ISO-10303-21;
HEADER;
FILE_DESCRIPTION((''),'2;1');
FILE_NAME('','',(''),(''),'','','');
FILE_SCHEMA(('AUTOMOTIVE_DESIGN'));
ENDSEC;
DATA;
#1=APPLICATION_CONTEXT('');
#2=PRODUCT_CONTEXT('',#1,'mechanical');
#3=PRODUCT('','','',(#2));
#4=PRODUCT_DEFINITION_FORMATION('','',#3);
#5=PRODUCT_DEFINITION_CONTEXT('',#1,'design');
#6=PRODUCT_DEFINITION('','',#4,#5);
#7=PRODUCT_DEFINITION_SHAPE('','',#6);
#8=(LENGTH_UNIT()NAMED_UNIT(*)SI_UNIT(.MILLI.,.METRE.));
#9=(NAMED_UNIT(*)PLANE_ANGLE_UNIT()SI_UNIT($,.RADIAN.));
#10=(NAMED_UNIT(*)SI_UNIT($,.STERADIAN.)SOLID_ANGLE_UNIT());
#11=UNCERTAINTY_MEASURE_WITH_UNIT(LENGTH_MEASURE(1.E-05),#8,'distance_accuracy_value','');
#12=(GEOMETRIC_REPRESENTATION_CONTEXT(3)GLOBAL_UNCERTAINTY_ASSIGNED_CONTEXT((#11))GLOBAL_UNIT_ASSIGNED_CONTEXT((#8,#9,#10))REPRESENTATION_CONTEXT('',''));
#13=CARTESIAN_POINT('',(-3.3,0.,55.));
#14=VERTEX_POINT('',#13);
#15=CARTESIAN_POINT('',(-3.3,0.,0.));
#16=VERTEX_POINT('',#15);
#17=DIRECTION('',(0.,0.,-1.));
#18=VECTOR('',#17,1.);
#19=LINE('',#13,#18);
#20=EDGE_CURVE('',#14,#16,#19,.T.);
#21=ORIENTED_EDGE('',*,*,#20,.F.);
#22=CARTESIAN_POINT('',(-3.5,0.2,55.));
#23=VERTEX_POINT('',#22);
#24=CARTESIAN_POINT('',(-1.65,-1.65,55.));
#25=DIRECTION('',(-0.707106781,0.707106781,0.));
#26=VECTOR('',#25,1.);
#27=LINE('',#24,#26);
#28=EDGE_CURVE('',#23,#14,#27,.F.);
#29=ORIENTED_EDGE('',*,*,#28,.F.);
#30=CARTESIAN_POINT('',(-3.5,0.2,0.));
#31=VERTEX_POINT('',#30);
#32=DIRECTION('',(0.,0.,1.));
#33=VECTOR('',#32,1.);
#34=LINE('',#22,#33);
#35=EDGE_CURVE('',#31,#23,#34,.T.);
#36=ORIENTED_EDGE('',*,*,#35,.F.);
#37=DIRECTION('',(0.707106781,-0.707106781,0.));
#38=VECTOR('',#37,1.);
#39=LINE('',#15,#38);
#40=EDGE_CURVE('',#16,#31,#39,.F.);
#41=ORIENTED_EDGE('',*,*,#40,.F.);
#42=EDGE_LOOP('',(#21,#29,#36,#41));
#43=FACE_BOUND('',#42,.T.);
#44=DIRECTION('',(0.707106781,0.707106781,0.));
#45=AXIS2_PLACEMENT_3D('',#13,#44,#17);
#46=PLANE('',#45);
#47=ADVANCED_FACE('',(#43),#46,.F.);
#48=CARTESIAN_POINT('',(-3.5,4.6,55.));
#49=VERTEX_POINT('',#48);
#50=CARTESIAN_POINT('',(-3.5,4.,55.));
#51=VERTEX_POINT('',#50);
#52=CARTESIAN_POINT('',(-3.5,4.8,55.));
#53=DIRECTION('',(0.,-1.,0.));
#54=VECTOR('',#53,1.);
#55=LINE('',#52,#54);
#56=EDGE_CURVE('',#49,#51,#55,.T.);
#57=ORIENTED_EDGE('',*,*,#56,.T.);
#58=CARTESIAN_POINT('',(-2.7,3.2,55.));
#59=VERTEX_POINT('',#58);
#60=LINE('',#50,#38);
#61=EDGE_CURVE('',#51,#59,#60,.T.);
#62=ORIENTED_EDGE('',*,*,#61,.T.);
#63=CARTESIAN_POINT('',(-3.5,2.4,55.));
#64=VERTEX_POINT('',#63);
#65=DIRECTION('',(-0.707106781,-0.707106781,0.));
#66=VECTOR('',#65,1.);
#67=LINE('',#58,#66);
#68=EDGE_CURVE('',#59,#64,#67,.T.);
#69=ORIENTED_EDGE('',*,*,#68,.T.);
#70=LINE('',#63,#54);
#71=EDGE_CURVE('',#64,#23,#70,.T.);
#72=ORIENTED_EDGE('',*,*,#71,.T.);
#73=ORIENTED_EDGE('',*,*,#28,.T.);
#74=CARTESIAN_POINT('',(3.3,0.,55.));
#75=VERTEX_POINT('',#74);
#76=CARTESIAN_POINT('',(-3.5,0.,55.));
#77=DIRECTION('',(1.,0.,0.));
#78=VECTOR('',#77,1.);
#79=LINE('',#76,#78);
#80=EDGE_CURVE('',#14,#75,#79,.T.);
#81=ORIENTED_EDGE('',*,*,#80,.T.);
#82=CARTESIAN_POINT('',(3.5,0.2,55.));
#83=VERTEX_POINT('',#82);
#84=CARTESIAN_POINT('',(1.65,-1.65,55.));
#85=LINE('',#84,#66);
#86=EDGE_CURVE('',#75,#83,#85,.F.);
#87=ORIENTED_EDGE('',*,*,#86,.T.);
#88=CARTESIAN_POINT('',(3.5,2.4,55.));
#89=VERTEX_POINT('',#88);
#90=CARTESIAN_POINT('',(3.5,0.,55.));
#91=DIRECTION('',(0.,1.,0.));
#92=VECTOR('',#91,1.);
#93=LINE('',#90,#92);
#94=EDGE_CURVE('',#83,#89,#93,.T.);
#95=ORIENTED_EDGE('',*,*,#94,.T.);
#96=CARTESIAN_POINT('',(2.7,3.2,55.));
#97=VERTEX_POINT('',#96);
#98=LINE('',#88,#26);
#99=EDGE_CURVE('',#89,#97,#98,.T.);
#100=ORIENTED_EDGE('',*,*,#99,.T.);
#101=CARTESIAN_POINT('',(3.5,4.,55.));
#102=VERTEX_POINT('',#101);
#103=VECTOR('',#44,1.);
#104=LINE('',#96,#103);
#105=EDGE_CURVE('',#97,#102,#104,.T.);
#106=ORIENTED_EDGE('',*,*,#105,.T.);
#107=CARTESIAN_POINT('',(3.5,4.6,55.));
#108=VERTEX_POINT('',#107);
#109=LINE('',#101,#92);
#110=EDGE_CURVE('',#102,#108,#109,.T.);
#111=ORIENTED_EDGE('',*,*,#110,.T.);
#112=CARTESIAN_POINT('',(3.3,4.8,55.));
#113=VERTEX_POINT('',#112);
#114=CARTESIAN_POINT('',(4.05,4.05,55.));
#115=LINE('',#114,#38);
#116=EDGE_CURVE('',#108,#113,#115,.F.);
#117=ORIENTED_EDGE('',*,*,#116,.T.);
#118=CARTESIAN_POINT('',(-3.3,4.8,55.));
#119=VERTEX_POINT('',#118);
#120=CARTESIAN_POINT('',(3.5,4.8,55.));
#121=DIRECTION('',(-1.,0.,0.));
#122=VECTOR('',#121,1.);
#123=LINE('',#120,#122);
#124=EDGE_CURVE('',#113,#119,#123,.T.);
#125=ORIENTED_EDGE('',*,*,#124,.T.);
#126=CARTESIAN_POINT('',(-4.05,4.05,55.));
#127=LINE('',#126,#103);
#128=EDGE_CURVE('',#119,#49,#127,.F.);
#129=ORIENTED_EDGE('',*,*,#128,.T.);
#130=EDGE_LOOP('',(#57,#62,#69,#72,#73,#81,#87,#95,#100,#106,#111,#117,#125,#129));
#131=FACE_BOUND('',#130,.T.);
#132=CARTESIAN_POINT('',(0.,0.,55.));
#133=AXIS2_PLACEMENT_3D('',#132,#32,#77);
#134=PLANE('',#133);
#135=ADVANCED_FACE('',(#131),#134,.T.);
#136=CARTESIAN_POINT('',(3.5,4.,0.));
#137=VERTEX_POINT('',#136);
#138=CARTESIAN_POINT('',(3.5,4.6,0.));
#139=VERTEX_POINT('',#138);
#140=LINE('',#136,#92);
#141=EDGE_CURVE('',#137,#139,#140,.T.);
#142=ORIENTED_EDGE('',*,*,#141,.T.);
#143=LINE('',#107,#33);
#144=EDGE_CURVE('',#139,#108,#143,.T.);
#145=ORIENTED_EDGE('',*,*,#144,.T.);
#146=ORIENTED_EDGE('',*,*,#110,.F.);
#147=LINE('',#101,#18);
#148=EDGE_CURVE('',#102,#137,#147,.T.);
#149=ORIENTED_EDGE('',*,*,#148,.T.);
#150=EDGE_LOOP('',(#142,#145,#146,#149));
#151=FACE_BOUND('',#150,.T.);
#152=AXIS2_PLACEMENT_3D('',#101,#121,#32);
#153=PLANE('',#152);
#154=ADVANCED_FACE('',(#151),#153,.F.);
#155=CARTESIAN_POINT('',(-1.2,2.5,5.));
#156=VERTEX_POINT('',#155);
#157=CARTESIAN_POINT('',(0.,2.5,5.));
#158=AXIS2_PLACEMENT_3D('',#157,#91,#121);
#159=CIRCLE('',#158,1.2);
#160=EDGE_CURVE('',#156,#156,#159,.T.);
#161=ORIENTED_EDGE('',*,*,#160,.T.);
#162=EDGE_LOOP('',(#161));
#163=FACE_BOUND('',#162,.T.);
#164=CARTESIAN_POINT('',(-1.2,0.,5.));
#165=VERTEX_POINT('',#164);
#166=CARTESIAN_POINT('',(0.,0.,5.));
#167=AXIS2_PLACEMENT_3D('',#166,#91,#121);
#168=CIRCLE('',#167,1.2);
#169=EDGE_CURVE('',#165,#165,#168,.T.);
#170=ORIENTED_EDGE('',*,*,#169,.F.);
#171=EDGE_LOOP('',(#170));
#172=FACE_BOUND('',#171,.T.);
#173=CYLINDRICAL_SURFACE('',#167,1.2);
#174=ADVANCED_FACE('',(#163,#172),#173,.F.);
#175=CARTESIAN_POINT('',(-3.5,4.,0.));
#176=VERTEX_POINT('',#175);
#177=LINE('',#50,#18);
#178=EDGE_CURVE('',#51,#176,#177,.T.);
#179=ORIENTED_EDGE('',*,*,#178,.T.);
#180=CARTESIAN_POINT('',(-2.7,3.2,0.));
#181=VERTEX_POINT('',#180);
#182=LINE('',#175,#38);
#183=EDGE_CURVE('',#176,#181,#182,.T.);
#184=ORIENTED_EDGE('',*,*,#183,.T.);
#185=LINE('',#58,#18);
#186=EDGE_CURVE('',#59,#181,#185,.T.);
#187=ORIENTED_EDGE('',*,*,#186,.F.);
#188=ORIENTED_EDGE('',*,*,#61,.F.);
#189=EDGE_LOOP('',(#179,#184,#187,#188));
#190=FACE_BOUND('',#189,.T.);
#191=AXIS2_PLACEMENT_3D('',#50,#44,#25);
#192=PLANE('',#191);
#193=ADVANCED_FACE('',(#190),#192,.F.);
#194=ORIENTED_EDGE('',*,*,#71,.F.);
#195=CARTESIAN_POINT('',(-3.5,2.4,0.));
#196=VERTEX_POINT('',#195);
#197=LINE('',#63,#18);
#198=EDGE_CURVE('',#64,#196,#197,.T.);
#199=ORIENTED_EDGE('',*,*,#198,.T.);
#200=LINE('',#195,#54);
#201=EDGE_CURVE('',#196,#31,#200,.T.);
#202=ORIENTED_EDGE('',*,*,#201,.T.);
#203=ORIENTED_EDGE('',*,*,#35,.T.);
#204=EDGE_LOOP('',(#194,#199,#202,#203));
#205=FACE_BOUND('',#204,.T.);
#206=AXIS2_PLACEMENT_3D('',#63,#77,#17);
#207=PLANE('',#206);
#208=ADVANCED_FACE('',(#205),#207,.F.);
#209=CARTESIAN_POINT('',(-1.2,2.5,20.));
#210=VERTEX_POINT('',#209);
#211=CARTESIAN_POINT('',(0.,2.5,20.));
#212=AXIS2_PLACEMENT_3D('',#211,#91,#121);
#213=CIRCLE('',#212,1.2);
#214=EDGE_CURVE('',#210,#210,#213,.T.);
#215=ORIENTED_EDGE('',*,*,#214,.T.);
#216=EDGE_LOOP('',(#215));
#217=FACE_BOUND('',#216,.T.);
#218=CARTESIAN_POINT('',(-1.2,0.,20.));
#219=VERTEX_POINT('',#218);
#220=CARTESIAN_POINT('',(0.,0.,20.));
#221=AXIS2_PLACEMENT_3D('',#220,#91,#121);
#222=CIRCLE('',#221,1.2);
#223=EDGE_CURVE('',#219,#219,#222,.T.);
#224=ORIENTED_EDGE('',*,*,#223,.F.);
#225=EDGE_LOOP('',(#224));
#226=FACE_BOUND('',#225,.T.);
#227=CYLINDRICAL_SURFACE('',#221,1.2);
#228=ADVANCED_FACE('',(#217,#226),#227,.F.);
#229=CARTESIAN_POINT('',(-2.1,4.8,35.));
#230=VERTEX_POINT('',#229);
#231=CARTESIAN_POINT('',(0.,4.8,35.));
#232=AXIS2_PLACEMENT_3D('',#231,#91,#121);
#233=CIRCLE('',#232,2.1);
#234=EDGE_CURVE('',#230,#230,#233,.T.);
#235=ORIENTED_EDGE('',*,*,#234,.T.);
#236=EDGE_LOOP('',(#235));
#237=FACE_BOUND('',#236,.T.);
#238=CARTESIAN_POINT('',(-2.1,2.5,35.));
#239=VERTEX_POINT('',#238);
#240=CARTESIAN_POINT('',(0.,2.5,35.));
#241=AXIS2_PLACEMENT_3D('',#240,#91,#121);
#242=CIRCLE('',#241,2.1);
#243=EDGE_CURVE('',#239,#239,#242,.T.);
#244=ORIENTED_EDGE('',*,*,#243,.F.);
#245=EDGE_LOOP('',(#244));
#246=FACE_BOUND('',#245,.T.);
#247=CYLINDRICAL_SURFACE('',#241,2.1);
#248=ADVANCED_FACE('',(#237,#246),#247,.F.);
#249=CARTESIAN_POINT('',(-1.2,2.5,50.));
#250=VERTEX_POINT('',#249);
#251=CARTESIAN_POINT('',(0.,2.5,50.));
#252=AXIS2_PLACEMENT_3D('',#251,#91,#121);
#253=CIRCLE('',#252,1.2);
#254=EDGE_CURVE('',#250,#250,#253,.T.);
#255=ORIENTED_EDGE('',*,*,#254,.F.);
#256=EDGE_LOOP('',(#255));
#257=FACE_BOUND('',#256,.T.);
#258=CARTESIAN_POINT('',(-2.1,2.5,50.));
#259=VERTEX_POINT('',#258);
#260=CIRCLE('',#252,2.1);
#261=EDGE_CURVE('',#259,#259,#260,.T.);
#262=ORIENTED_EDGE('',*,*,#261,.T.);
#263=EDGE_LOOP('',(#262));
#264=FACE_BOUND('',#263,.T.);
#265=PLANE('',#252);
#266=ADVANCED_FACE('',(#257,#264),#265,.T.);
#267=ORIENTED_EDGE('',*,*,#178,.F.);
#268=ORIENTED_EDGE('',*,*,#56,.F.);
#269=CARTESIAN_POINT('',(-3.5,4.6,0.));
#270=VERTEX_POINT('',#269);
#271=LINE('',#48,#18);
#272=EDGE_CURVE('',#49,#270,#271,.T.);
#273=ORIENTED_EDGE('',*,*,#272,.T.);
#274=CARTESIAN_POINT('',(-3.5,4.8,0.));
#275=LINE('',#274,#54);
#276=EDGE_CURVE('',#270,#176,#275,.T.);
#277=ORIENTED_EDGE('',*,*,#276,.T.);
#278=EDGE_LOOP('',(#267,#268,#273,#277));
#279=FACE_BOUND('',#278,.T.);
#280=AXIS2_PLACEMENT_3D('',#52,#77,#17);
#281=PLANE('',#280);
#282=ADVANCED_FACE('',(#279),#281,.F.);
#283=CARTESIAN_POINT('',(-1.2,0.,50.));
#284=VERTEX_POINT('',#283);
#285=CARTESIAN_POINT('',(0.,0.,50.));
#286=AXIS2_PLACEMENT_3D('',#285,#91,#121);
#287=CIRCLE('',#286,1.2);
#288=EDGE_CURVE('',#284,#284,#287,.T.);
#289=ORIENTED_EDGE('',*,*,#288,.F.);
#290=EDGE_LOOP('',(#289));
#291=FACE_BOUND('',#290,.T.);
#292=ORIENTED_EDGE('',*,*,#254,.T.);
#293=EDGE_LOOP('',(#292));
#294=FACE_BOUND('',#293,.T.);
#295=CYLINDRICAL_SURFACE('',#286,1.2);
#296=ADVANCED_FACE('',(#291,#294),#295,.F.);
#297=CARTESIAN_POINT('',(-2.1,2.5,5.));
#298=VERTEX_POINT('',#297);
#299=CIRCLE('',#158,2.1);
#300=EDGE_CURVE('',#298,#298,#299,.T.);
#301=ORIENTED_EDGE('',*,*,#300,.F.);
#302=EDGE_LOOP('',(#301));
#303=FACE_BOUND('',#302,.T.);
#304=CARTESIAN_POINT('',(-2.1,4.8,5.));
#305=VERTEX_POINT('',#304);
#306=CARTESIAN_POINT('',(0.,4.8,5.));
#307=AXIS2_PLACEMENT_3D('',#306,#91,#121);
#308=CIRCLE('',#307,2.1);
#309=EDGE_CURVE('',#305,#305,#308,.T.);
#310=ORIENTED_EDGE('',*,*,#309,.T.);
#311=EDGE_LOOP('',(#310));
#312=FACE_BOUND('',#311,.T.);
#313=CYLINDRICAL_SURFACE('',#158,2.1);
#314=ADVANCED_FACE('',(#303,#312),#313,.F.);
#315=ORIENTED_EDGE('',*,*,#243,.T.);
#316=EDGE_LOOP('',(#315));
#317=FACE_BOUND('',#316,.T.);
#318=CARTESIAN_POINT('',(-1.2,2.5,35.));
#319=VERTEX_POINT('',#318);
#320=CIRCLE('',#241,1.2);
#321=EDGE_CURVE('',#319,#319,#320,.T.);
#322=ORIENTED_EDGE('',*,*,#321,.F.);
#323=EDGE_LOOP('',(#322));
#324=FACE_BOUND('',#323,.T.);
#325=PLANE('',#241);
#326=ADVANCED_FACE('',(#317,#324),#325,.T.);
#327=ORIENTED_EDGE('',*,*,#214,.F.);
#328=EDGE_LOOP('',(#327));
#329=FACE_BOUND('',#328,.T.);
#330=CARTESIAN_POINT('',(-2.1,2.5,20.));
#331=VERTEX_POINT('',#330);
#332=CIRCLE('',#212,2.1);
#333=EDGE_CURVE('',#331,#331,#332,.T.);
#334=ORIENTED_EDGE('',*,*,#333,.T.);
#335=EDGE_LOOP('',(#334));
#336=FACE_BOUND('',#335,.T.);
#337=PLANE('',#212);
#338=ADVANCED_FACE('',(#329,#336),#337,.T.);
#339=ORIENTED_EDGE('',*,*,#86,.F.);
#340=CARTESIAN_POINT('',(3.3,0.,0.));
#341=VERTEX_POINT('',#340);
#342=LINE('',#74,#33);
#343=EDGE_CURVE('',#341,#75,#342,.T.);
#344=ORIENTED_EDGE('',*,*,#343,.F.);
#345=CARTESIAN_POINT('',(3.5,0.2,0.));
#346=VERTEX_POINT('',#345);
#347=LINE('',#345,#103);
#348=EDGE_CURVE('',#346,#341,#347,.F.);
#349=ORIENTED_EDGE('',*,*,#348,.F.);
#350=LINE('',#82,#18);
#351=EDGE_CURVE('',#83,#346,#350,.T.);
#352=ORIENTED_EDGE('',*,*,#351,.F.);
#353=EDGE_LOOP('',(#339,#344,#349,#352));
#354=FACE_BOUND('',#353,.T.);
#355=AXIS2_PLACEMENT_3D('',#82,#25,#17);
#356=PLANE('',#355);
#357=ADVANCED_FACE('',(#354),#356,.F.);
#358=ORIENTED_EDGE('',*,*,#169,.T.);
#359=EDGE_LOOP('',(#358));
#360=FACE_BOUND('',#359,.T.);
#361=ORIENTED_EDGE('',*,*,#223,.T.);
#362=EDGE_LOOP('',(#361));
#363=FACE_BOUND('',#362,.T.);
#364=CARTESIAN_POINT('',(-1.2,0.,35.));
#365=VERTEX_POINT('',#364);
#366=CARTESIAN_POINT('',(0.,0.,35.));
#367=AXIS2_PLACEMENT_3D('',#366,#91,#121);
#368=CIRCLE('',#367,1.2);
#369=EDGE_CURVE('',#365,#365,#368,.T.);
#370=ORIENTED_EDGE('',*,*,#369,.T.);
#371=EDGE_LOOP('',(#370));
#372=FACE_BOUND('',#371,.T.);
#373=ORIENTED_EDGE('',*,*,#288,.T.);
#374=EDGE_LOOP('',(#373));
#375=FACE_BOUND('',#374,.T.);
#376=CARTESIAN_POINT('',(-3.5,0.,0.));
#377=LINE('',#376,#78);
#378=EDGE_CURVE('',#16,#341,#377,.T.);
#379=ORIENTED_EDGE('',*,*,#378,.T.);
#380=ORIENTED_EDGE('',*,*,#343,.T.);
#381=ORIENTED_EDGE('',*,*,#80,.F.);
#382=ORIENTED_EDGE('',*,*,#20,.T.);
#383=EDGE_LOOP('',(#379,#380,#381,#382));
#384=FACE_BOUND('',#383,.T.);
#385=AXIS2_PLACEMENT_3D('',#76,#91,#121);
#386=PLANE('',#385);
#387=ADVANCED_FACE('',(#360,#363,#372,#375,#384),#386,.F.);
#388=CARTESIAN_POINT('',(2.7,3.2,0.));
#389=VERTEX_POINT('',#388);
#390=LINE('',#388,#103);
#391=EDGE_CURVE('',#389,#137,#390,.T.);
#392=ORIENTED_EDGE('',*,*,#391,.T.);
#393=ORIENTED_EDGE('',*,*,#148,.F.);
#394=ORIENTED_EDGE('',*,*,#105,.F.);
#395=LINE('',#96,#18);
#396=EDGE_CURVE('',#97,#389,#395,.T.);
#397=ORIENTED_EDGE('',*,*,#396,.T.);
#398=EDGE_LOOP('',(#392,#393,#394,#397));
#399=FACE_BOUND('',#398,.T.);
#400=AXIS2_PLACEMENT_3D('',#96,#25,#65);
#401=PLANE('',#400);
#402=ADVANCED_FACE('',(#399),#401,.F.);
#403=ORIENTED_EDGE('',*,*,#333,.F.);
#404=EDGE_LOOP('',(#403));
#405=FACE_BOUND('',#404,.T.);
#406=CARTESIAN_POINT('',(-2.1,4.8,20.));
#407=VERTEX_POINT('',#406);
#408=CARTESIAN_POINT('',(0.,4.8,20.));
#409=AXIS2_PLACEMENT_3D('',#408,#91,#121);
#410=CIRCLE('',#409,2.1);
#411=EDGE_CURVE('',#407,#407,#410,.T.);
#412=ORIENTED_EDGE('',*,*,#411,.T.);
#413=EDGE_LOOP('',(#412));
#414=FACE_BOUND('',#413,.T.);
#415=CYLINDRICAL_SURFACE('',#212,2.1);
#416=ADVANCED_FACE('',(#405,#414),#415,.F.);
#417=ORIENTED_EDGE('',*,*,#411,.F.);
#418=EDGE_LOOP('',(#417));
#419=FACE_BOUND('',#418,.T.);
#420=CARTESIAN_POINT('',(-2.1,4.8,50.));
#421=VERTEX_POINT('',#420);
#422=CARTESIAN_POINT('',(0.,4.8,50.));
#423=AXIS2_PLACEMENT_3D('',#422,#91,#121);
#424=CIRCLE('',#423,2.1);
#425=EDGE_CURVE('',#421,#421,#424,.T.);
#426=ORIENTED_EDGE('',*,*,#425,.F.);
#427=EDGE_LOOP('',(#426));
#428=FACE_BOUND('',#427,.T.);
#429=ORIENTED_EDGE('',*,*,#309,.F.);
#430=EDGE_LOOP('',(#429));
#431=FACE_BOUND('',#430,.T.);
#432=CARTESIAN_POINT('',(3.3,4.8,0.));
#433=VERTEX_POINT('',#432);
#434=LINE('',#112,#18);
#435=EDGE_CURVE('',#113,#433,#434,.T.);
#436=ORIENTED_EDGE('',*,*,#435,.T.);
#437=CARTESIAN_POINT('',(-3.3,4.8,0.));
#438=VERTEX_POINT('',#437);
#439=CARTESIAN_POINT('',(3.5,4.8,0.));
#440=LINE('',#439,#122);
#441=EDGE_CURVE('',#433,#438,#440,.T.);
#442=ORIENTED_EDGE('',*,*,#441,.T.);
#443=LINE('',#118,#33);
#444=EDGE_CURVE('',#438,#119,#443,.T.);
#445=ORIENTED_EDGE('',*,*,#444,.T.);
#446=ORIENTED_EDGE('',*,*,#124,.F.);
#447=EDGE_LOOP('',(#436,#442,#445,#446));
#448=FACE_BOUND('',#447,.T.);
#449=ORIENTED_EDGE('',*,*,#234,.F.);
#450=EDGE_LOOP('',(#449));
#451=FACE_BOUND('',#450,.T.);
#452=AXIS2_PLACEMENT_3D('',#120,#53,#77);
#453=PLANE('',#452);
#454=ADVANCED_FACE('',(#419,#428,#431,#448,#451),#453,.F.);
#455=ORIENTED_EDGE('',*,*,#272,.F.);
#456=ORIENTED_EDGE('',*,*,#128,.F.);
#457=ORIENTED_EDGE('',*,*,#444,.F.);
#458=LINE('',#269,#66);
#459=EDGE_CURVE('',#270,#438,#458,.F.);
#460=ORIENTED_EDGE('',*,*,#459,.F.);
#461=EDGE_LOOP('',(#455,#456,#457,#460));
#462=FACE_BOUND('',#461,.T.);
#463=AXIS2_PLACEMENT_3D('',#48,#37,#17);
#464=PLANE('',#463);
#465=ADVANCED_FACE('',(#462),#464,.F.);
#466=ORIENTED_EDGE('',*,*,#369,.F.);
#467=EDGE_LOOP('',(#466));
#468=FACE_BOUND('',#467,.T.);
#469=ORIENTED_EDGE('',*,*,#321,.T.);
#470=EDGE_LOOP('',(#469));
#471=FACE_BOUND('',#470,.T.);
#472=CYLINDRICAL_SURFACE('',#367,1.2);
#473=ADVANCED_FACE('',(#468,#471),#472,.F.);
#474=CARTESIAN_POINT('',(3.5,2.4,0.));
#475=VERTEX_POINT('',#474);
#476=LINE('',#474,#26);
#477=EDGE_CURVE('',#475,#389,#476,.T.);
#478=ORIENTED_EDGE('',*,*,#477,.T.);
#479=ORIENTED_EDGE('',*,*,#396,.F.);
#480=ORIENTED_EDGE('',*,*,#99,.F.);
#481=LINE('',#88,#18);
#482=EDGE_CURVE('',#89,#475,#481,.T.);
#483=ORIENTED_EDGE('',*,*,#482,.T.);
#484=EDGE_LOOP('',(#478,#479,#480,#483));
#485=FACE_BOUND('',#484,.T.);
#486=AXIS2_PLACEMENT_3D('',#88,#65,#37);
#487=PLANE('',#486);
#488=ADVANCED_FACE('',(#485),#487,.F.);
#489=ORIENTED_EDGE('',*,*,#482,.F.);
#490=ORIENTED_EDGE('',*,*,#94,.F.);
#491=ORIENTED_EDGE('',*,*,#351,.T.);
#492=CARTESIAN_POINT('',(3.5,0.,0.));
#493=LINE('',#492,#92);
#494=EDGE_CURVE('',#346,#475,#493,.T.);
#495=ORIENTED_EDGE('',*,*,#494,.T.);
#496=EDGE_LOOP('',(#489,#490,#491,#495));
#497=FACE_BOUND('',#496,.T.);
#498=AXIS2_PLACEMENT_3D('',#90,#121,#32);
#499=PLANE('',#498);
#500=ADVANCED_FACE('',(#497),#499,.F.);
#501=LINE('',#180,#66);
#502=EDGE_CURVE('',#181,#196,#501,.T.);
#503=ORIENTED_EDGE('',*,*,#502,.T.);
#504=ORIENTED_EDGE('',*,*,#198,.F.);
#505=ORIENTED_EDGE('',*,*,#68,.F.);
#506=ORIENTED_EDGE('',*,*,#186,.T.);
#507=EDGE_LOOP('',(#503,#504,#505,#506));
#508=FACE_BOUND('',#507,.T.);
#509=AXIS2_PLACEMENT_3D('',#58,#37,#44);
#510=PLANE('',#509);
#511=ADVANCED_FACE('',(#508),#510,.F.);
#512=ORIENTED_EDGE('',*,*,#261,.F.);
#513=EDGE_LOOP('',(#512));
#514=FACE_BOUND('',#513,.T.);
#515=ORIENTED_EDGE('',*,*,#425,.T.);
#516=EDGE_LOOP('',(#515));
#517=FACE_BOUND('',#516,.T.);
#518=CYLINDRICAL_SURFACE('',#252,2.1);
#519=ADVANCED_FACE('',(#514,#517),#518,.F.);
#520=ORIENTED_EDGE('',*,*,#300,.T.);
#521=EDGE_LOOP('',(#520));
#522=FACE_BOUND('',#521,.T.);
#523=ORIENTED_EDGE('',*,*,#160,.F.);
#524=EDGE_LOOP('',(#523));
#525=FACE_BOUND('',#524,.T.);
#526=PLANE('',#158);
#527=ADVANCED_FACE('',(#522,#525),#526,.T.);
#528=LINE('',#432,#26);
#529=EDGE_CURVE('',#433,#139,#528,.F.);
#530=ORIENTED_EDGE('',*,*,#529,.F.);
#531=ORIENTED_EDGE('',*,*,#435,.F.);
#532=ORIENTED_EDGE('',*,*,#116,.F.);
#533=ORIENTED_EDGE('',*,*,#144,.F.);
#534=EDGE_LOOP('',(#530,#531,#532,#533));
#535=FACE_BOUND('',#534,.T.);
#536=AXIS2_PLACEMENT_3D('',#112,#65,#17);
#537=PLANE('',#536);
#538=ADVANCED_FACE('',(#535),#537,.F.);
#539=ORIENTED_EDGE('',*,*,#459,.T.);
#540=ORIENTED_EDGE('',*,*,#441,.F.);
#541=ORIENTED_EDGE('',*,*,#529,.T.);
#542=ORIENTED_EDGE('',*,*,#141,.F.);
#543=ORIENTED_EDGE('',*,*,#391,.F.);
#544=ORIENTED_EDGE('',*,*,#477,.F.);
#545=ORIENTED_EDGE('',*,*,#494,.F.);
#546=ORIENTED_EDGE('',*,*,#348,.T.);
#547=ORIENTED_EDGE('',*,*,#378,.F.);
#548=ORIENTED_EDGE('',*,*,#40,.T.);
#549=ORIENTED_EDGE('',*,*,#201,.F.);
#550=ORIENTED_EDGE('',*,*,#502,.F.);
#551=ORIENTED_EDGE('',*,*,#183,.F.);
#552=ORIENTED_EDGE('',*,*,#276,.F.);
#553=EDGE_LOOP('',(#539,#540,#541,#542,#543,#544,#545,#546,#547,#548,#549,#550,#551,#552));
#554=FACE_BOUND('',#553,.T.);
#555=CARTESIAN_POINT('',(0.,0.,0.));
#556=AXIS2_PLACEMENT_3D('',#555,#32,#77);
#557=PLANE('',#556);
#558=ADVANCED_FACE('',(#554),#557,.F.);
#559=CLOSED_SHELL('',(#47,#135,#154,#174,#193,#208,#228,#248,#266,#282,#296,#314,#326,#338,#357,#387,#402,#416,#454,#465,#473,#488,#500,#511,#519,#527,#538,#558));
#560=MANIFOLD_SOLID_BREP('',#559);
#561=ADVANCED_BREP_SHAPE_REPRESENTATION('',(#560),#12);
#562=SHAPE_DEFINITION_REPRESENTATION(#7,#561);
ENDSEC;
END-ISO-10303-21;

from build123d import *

# Parameters (mm, degrees)
EXTRUDE_1_DEPTH     = 55
SKETCH_2_R          = 2.1
CUT_EXTRUDE_1_DEPTH = 2.3
CHAMFER_1_SIZE      = 0.2
SKETCH_4_R          = 1.2
CUT_EXTRUDE_3_DEPTH = 56.167925464


with BuildPart() as part:
    # 草图1 → 凸台-拉伸1 (new body)
    with BuildSketch(Plane.XY):
        Polygon((-3.5, 0), (3.5, 0), (3.5, 2.4), (2.7, 3.2), (3.5, 4), (3.5, 4.8), (-3.5, 4.8), (-3.5, 4), (-2.7, 3.2), (-3.5, 2.4), align=None)
    extrude(amount=EXTRUDE_1_DEPTH)

    # 草图2 → 切除-拉伸1 (cut)
    with BuildSketch(Plane(origin=(0, 4.8, 0), x_dir=(1, 0, 0), z_dir=(0, 1, 0))):
        with Locations(Location((0, -5, 0), (0, 0, 180))):
            Circle(SKETCH_2_R)
        with Locations(Location((0, -20, 0), (0, 0, 180))):
            Circle(SKETCH_2_R)
        with Locations(Location((0, -35, 0), (0, 0, 180))):
            Circle(SKETCH_2_R)
        with Locations(Location((0, -50, 0), (0, 0, 180))):
            Circle(SKETCH_2_R)
    extrude(amount=-CUT_EXTRUDE_1_DEPTH, mode=Mode.SUBTRACT)

    # 倒角1
    chamfer_1_edges = [part.edges().sort_by_distance(p)[0] for p in [
        (-3.5, 4.8, 27.5),
        (3.5, 4.8, 27.5),
        (3.5, 0, 27.5),
        (-3.5, 0, 27.5),
    ]]
    chamfer(chamfer_1_edges, length=CHAMFER_1_SIZE)

    # 草图4 → 切除-拉伸3 (cut, through all)
    with BuildSketch(Plane(origin=(0, 2.5, 0), x_dir=(1, 0, 0), z_dir=(0, 1, 0))):
        with Locations(Location((0, -5, 0), (0, 0, 180))):
            Circle(SKETCH_4_R)
        with Locations(Location((0, -20, 0), (0, 0, 180))):
            Circle(SKETCH_4_R)
        with Locations(Location((0, -50, 0), (0, 0, 180))):
            Circle(SKETCH_4_R)
        with Locations(Location((0, -35, 0), (0, 0, 180))):
            Circle(SKETCH_4_R)
    extrude(amount=-CUT_EXTRUDE_3_DEPTH, mode=Mode.SUBTRACT)


solid = part.part
